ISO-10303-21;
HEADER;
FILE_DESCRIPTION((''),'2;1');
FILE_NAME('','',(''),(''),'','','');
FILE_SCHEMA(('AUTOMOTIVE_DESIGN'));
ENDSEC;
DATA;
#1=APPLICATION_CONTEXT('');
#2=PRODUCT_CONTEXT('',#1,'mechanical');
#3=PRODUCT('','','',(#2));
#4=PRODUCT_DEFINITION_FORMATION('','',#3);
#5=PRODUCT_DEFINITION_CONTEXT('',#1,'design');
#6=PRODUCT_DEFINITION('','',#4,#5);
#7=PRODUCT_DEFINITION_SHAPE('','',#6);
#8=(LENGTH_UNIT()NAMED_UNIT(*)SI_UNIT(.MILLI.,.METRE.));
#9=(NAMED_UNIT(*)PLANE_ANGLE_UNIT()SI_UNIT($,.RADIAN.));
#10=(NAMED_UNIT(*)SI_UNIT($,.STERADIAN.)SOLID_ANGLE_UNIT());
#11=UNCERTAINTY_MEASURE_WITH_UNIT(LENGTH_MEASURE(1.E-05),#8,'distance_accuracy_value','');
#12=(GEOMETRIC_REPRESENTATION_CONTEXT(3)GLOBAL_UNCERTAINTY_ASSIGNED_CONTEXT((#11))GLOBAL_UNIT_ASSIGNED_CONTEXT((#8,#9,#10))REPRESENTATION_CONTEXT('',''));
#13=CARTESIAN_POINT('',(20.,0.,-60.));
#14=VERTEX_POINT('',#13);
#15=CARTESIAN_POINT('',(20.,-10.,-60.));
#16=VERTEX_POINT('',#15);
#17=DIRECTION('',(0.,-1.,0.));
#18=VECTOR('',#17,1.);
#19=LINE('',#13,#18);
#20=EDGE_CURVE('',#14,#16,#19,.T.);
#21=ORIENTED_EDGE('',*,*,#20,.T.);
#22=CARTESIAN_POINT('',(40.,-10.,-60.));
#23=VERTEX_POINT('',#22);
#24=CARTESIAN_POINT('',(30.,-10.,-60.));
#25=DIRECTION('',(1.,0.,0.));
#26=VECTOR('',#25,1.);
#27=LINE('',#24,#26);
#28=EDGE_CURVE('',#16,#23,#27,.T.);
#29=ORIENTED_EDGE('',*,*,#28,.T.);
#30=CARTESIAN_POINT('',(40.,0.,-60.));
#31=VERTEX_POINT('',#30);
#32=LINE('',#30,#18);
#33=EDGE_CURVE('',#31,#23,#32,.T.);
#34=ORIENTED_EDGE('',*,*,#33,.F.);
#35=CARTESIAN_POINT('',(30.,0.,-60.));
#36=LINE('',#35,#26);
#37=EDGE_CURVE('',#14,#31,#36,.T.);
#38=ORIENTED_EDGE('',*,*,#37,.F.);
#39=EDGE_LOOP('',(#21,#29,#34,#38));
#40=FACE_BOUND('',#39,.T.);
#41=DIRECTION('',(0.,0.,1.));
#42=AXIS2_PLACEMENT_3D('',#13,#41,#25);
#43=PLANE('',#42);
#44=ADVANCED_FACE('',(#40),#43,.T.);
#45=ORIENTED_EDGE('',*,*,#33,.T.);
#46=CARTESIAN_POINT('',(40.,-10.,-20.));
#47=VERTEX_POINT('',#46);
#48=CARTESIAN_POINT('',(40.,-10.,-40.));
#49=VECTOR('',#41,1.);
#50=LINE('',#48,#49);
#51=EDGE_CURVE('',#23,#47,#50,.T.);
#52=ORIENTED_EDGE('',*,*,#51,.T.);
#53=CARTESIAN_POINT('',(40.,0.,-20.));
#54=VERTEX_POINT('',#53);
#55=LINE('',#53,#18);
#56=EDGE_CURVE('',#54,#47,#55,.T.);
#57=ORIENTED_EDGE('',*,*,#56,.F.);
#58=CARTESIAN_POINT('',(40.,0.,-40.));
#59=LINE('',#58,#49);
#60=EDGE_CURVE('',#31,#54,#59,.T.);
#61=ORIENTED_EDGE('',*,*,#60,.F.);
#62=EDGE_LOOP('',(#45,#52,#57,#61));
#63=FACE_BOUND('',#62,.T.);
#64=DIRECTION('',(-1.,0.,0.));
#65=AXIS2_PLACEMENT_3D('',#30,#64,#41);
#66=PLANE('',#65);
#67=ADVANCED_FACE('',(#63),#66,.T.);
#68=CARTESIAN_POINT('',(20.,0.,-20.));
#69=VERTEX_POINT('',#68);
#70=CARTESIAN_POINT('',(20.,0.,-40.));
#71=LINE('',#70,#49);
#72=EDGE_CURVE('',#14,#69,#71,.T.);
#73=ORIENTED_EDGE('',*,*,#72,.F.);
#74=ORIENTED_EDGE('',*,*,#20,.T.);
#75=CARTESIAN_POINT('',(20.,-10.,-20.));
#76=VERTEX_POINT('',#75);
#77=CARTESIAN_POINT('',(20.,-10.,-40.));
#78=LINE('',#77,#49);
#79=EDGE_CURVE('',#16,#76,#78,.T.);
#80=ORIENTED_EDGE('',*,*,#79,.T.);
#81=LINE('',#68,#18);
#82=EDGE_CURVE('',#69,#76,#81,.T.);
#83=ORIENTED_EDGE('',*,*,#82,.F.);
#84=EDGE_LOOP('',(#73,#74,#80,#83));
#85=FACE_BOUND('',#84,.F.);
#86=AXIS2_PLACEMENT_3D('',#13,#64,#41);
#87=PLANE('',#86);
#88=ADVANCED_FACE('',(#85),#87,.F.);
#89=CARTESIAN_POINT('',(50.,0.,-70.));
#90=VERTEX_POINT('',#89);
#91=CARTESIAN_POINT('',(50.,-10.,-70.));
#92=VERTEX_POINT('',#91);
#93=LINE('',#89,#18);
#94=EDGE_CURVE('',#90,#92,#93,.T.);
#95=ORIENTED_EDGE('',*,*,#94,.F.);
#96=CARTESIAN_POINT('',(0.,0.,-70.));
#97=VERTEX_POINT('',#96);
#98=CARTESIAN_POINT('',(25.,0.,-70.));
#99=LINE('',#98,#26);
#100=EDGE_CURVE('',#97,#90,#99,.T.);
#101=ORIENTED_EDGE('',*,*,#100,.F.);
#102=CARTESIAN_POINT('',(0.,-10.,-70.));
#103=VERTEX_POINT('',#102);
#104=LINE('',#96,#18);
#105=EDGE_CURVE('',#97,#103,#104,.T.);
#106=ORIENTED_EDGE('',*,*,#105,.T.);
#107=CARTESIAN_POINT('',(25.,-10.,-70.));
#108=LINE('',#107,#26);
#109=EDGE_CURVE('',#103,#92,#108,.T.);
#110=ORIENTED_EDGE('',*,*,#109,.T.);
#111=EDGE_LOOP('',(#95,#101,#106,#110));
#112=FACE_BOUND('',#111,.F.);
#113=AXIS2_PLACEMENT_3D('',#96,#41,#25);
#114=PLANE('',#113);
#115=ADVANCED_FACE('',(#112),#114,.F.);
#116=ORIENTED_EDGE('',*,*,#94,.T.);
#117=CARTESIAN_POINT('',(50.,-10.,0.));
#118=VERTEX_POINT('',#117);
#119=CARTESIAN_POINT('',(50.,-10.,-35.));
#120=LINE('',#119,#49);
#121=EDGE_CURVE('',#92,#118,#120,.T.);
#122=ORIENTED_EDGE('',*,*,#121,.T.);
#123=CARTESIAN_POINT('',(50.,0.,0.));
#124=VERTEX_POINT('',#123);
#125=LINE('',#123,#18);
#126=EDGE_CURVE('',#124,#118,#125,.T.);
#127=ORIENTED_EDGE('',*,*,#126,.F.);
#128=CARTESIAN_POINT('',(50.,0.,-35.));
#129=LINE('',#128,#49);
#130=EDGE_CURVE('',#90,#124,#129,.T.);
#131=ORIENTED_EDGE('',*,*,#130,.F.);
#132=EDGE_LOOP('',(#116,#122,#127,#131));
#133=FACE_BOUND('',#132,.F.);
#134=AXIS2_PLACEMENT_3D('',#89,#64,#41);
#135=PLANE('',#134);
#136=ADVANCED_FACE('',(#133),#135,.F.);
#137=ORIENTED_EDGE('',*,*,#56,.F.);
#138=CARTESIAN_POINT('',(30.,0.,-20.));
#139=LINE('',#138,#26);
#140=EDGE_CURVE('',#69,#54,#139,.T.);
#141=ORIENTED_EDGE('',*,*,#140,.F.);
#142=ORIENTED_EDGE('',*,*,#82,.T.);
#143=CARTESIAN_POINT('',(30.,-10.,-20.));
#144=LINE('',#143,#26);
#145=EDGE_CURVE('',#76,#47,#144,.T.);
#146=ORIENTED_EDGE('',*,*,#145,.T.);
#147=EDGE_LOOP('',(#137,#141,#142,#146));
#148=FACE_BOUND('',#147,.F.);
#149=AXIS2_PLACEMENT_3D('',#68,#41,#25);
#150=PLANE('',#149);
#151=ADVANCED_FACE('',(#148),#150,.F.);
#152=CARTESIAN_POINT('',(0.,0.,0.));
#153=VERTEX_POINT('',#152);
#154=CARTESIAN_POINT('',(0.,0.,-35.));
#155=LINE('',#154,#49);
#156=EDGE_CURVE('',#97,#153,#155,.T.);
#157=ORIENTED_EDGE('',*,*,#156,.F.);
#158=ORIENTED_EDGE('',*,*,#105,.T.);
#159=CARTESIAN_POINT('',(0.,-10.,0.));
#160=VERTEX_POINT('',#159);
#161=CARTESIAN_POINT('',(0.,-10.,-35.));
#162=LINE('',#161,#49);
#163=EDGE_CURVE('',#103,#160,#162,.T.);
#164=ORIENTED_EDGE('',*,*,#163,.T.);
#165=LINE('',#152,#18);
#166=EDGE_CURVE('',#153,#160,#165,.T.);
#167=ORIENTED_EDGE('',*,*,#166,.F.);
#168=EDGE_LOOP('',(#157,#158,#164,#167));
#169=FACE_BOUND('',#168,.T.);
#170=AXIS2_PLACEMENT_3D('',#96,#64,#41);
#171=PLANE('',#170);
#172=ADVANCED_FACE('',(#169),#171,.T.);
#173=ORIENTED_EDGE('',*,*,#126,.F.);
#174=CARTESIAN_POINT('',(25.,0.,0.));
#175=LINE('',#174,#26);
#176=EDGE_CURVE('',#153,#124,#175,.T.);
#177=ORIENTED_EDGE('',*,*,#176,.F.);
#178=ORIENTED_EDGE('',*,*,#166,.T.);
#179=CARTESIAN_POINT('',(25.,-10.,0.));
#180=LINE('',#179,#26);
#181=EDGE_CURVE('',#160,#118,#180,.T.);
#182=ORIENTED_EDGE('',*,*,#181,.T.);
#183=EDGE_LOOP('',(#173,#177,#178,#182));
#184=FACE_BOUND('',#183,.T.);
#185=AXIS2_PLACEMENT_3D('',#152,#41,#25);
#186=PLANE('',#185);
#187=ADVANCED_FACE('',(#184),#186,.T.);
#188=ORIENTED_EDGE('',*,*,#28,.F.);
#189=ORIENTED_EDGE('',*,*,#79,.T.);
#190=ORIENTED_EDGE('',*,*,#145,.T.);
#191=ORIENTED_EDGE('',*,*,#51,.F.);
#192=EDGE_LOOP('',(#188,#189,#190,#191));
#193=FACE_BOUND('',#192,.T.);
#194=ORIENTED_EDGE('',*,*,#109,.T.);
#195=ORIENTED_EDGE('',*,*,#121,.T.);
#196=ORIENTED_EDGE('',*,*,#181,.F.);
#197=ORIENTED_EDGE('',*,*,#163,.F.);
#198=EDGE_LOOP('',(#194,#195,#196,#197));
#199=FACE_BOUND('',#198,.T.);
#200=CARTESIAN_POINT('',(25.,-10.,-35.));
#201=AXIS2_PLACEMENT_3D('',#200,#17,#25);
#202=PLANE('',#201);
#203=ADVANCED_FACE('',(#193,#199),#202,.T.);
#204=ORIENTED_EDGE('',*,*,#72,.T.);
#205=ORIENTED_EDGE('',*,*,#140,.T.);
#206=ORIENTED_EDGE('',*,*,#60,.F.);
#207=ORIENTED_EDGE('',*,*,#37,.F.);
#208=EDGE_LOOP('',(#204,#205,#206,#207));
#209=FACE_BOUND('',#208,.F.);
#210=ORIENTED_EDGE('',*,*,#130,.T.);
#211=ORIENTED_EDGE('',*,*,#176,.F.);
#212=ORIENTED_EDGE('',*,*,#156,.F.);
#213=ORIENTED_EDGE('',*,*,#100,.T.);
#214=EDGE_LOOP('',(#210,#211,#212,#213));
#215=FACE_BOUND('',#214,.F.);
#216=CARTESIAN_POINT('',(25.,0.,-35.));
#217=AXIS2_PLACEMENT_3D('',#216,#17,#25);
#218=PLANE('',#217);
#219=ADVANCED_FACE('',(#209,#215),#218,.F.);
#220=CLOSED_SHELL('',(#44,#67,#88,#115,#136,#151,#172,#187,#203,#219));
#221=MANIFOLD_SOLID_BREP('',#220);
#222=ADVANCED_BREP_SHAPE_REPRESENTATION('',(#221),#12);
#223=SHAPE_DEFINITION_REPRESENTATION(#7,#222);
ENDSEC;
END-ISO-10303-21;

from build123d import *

# Parameters (mm, degrees)
F0_W     = 50
F0_H     = 70
F0_W_2   = 20
F0_H_2   = 40
F1_DEPTH = 10
F2_DEPTH = 10


with BuildPart() as f1:
    # F0 (on Front) → F1 (new body)
    with BuildSketch(Plane.XZ):
        with Locations((25, -35)):
            Rectangle(F0_W, F0_H)
        with Locations((30, -40)):
            Rectangle(F0_W_2, F0_H_2, mode=Mode.SUBTRACT)
    extrude(amount=F1_DEPTH)

    # F0 (on Front) → F2 (join)
    with BuildSketch(Plane.XZ):
        with Locations((25, -35)):
            Rectangle(F0_W, F0_H)
        with Locations((30, -40)):
            Rectangle(F0_W_2, F0_H_2, mode=Mode.SUBTRACT)
    extrude(amount=F2_DEPTH)


solid = f1.part
